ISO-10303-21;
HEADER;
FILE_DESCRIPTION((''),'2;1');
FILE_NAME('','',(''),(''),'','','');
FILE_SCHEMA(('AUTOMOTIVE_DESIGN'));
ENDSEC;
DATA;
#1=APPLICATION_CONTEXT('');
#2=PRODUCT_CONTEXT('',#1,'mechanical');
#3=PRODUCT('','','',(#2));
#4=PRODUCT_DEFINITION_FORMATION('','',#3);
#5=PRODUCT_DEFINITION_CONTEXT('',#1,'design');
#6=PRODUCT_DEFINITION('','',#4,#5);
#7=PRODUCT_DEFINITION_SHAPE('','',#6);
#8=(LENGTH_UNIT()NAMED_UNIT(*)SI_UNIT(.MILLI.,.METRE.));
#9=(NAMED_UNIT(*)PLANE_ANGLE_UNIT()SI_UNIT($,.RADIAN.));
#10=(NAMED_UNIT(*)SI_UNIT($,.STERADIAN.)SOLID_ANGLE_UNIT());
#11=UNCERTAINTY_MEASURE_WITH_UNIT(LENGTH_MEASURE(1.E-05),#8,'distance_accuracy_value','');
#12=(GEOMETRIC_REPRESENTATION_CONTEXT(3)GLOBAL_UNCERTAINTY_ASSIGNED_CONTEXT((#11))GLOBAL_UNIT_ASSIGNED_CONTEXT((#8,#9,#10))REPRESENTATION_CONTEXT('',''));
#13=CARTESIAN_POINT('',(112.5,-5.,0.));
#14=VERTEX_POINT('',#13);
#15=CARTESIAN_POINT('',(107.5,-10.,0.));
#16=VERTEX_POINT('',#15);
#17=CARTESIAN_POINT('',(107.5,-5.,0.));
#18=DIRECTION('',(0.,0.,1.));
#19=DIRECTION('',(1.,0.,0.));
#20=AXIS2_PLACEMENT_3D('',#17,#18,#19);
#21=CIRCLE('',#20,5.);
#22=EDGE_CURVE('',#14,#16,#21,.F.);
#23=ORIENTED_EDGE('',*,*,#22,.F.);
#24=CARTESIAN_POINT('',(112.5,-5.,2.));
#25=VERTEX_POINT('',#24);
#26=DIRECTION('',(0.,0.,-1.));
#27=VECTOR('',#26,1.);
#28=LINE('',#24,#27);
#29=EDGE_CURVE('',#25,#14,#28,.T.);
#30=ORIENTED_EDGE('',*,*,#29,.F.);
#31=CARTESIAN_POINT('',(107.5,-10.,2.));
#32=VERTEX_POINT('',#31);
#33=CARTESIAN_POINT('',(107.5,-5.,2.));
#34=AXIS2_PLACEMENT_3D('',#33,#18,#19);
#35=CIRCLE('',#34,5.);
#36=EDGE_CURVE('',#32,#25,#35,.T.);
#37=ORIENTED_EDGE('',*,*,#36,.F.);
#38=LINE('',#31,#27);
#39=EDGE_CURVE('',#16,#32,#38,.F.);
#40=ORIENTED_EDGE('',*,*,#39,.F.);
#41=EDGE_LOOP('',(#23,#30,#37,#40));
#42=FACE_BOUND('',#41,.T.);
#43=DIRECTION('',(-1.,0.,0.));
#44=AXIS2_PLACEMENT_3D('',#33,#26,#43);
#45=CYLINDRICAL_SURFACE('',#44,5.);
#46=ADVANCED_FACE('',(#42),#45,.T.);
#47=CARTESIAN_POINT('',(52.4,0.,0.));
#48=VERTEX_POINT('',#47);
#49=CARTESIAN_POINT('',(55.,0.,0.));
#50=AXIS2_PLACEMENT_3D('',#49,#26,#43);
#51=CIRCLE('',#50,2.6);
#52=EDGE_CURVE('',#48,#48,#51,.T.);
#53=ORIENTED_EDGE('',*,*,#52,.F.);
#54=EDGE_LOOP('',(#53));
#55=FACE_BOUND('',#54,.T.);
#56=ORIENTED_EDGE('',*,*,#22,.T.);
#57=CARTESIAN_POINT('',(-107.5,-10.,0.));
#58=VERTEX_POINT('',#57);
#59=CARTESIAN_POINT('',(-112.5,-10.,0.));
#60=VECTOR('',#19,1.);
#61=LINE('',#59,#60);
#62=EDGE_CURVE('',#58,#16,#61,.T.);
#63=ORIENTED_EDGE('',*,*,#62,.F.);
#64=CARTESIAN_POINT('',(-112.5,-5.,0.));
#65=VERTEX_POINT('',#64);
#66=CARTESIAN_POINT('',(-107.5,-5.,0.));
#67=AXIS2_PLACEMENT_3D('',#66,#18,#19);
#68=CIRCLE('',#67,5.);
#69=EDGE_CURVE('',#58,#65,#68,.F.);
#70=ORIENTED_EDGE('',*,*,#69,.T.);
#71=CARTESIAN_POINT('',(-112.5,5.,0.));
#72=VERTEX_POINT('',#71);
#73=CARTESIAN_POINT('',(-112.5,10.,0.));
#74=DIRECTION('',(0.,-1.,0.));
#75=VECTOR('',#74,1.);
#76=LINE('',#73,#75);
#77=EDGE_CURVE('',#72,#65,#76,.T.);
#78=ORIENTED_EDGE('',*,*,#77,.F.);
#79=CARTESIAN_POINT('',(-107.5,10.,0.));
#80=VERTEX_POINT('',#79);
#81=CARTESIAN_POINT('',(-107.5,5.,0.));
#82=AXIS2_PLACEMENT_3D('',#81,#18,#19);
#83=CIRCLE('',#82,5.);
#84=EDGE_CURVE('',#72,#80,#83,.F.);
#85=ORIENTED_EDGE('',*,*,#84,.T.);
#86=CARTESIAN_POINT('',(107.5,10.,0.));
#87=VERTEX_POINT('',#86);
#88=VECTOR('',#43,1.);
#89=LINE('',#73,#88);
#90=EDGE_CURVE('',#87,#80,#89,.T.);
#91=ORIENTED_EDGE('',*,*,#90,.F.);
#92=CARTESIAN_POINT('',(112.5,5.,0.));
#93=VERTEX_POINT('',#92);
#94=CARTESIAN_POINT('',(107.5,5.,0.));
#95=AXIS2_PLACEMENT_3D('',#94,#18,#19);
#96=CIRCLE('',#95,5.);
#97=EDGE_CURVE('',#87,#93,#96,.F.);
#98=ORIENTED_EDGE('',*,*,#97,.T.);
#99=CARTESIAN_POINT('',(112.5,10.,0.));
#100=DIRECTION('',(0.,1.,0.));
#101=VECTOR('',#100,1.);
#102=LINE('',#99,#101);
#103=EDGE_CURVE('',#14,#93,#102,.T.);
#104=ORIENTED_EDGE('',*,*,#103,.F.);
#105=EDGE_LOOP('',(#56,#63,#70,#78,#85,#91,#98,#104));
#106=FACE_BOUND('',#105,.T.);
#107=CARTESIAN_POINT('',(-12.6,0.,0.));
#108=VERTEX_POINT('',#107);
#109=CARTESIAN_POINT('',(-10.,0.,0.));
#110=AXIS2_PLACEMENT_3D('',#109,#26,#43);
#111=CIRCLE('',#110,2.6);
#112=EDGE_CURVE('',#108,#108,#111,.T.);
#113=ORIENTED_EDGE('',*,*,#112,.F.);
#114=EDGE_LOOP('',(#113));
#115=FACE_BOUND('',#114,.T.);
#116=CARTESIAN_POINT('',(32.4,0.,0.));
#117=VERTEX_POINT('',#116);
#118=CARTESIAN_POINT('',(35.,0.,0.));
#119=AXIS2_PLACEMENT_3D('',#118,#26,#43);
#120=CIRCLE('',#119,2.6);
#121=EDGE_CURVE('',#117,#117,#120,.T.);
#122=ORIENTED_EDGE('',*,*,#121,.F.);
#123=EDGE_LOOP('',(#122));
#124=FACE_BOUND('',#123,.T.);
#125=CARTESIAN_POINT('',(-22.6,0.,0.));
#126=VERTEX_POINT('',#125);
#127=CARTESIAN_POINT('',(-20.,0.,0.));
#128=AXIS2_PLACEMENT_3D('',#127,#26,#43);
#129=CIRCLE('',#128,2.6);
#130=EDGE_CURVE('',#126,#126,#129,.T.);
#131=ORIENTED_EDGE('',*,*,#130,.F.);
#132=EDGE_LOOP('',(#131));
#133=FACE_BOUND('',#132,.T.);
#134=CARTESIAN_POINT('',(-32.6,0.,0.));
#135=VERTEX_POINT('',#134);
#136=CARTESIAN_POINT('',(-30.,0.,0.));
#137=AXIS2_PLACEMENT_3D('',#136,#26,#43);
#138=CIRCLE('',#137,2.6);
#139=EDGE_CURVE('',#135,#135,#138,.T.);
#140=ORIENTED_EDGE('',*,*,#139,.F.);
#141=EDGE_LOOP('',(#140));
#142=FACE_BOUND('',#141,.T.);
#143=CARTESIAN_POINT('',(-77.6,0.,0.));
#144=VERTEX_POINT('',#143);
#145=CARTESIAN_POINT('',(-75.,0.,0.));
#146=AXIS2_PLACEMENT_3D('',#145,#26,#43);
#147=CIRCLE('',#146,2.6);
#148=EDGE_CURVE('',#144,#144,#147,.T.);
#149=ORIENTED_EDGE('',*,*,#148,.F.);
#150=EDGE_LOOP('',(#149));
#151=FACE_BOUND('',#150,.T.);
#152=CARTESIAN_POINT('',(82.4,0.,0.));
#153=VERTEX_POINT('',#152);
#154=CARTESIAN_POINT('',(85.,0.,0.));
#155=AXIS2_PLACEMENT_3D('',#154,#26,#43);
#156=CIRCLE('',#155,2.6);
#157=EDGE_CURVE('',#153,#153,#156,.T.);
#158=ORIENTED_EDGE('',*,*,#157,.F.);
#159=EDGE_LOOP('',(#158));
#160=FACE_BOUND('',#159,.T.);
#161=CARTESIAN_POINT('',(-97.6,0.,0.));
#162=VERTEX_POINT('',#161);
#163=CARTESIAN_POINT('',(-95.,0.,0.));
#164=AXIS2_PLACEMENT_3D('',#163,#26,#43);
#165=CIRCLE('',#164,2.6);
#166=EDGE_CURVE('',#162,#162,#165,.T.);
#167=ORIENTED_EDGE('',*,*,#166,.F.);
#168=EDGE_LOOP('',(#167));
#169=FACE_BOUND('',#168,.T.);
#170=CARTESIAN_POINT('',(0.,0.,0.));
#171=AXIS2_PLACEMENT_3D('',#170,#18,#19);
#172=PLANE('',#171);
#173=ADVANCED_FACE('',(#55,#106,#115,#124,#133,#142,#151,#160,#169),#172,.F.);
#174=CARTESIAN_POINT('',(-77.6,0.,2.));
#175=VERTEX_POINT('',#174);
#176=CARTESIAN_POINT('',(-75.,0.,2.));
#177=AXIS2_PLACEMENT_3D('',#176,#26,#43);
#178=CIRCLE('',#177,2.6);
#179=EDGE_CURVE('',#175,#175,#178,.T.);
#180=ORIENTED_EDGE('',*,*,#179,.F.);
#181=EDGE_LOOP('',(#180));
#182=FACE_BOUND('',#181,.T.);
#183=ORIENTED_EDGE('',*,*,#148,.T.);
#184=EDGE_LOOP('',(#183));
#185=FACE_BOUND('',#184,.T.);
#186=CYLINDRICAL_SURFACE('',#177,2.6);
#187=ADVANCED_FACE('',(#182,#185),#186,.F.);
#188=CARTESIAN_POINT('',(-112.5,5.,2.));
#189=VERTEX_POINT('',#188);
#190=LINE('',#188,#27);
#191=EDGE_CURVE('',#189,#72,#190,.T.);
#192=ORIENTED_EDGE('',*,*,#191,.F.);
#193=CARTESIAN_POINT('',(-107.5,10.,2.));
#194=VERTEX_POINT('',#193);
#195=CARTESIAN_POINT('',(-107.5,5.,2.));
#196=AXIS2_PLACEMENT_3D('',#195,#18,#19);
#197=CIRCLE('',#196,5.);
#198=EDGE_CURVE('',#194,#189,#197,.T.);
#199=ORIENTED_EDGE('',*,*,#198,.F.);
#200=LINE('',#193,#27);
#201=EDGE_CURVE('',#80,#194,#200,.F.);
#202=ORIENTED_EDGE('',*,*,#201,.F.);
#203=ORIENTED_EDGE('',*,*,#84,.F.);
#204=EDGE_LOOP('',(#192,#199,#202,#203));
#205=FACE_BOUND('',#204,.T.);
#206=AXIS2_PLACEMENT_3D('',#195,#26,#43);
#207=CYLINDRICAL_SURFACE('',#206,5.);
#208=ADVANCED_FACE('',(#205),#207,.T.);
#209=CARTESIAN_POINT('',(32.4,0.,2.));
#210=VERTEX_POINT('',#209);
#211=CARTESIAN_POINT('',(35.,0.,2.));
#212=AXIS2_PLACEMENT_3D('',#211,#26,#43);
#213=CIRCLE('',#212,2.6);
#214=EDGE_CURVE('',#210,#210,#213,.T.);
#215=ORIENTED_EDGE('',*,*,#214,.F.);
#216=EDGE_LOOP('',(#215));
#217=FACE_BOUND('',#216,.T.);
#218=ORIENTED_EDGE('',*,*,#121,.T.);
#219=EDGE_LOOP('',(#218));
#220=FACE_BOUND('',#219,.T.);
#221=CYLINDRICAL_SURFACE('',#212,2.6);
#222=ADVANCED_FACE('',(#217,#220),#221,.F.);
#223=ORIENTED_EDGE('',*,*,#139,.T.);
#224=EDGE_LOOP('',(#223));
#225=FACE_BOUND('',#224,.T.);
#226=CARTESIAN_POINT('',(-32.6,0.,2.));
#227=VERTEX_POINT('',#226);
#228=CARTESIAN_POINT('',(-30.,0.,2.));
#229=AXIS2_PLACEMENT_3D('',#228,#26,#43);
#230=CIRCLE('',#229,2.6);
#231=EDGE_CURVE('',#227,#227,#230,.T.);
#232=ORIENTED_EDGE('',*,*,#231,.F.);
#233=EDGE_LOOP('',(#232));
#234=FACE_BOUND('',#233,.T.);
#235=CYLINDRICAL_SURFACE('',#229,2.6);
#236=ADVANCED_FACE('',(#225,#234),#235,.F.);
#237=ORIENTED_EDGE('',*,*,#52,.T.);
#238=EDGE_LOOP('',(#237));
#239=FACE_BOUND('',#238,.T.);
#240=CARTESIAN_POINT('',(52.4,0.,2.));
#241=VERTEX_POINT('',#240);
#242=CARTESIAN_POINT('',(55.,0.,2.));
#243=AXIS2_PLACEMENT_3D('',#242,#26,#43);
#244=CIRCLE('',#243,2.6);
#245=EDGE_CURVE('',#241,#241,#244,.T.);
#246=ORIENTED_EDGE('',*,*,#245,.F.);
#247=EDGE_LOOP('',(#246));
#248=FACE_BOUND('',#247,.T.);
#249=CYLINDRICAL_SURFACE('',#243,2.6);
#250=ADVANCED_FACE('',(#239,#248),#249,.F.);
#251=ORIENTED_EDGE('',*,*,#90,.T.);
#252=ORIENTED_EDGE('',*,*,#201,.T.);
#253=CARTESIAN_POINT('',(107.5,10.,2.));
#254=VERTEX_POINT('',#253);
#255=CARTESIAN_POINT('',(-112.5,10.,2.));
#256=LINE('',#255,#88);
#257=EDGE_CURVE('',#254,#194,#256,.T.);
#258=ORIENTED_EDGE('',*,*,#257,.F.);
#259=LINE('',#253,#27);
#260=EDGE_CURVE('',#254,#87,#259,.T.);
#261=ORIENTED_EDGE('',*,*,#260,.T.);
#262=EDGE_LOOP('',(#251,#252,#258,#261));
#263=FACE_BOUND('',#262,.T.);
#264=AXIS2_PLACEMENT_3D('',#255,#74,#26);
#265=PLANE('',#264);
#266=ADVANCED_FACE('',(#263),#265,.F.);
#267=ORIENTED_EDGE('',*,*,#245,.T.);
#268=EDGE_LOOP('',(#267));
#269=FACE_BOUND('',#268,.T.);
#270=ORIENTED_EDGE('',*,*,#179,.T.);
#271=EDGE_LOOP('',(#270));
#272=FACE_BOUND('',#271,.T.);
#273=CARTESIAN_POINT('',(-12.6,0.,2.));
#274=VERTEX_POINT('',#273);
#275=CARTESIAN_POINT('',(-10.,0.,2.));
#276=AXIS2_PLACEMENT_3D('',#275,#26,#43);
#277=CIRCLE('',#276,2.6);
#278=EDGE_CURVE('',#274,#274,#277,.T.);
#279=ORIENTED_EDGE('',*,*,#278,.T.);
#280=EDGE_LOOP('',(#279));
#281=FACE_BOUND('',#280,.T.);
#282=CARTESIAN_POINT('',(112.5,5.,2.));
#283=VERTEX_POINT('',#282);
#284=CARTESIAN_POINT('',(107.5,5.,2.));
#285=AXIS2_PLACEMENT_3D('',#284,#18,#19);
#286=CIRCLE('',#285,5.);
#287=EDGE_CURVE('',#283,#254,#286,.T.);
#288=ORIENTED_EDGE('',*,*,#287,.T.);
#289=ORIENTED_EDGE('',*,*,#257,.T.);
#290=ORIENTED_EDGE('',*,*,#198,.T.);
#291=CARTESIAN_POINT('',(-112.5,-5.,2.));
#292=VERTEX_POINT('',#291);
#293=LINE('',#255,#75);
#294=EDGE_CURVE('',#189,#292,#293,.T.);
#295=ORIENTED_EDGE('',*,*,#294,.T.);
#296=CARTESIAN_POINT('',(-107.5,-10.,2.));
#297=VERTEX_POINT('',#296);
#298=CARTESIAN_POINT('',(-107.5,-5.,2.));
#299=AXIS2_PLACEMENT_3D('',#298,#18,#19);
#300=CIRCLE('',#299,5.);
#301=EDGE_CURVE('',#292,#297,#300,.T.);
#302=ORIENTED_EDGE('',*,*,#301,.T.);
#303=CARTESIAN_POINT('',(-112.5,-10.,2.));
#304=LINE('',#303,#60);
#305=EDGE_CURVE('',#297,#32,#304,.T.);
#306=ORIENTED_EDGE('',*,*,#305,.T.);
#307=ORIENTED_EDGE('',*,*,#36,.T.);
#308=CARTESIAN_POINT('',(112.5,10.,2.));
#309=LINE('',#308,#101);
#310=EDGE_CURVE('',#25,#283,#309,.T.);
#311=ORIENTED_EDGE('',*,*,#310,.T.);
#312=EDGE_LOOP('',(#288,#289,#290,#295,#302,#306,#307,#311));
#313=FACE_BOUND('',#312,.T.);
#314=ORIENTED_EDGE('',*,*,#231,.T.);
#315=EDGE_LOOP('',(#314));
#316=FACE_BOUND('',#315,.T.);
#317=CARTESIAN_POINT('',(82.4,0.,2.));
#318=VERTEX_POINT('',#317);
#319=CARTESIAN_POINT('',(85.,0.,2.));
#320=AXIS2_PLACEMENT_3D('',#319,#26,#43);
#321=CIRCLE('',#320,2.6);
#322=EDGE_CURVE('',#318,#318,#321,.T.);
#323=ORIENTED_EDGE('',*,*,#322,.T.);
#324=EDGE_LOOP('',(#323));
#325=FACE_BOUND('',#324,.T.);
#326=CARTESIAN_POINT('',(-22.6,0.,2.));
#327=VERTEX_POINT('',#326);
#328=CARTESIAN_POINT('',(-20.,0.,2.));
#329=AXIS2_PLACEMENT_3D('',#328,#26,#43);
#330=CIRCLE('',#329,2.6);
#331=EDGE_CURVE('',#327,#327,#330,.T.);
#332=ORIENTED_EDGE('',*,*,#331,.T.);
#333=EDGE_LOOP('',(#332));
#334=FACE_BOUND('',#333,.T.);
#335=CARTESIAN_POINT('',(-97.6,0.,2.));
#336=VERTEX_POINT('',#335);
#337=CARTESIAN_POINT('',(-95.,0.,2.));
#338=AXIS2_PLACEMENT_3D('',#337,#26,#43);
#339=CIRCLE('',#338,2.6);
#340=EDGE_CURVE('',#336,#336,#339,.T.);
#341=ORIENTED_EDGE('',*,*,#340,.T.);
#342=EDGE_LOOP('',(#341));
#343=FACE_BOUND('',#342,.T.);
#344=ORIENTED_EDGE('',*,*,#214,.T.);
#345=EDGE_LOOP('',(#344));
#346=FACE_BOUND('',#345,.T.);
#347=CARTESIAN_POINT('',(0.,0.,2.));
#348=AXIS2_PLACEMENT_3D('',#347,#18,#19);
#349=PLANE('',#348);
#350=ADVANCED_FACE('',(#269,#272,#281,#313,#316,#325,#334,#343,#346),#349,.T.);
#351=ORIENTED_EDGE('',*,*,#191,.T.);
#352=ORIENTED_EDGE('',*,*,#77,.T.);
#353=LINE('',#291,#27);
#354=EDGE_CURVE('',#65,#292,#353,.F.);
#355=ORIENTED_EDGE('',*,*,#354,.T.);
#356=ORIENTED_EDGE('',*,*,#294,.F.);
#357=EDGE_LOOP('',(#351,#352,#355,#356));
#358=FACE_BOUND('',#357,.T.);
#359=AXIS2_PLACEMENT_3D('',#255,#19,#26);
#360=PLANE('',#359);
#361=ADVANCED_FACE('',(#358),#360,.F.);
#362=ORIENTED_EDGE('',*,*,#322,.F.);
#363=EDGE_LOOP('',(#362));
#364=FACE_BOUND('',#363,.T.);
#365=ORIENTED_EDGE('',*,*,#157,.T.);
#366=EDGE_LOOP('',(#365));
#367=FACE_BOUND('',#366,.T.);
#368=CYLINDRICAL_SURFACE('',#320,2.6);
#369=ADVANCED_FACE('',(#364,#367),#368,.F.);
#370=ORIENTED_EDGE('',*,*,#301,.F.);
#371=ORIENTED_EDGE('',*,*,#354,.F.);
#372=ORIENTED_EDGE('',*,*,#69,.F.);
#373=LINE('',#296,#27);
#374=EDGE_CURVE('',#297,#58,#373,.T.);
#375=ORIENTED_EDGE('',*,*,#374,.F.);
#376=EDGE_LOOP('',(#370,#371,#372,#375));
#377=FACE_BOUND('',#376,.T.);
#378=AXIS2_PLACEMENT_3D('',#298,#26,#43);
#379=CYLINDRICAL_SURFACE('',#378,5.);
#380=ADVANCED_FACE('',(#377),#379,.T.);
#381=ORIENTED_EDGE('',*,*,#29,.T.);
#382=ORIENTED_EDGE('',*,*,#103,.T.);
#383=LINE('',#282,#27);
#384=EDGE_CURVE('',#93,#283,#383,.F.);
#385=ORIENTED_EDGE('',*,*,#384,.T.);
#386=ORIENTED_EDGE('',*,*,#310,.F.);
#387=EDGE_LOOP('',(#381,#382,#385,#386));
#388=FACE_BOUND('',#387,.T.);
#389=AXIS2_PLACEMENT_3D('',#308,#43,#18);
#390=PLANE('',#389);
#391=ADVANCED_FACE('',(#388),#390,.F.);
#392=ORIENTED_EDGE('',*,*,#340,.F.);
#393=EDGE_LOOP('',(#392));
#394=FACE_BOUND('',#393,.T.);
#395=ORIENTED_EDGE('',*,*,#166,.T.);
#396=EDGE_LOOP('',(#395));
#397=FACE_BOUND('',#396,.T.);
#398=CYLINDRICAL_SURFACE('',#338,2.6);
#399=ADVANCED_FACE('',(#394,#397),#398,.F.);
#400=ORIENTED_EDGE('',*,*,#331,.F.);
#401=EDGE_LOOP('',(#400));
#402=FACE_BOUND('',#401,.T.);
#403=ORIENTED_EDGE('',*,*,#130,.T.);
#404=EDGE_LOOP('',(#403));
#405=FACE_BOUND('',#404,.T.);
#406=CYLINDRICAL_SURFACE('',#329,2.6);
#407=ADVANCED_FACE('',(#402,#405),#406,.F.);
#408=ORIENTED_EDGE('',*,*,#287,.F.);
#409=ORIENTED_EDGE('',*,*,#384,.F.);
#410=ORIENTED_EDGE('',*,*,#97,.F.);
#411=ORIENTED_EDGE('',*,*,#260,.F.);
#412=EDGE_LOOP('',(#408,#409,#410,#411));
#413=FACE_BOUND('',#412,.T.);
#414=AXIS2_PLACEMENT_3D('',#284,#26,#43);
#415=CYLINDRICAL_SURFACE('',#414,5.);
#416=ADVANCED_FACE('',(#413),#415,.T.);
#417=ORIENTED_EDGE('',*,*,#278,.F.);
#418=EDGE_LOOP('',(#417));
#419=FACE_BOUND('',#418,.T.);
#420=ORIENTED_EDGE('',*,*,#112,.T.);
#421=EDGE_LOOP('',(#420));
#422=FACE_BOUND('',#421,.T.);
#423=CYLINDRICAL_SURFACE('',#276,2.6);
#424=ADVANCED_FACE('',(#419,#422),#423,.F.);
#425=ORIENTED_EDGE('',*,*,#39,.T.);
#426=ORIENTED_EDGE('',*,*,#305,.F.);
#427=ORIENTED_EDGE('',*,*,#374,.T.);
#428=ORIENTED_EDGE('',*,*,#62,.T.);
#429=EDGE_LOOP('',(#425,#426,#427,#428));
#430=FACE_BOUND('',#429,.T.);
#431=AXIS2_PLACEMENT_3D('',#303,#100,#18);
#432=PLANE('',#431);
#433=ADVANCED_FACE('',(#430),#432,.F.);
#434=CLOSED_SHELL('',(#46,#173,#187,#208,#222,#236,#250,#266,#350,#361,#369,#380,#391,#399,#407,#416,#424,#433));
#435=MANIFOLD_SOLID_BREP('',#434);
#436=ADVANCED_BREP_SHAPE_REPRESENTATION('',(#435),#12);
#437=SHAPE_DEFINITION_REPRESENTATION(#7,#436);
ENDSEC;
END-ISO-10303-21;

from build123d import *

# Parameters (mm, degrees)
SKETCH_1_W          = 225
SKETCH_1_H          = 20
EXTRUDE_1_DEPTH     = 2
SKETCH_2_R          = 2.6
CUT_EXTRUDE_1_DEPTH = 113.961276551
FILLET_1_R          = 5


with BuildPart() as part:
    # 草图1 → 凸台-拉伸1 (new body)
    with BuildSketch(Plane.XY):
        Rectangle(SKETCH_1_W, SKETCH_1_H)
    extrude(amount=EXTRUDE_1_DEPTH)

    # 草图2 → 切除-拉伸1 (cut, through all)
    with BuildSketch(Plane(origin=(0, 0, 0), x_dir=(-1, 0, 0), z_dir=(0, 0, -1))):
        with Locations((95, 0)):
            Circle(SKETCH_2_R)
        with Locations((75, 0)):
            Circle(SKETCH_2_R)
        with Locations((30, 0)):
            Circle(SKETCH_2_R)
        with Locations((20, 0)):
            Circle(SKETCH_2_R)
        with Locations((10, 0)):
            Circle(SKETCH_2_R)
        with Locations((-35, 0)):
            Circle(SKETCH_2_R)
        with Locations((-55, 0)):
            Circle(SKETCH_2_R)
        with Locations((-85, 0)):
            Circle(SKETCH_2_R)
    extrude(amount=-CUT_EXTRUDE_1_DEPTH, mode=Mode.SUBTRACT)

    # 圆角1
    fillet_1_edges = [part.edges().sort_by_distance(p)[0] for p in [
        (112.5, -10, 1),
        (-112.5, -10, 1),
        (-112.5, 10, 1),
        (112.5, 10, 1),
    ]]
    fillet(fillet_1_edges, radius=FILLET_1_R)


solid = part.part
